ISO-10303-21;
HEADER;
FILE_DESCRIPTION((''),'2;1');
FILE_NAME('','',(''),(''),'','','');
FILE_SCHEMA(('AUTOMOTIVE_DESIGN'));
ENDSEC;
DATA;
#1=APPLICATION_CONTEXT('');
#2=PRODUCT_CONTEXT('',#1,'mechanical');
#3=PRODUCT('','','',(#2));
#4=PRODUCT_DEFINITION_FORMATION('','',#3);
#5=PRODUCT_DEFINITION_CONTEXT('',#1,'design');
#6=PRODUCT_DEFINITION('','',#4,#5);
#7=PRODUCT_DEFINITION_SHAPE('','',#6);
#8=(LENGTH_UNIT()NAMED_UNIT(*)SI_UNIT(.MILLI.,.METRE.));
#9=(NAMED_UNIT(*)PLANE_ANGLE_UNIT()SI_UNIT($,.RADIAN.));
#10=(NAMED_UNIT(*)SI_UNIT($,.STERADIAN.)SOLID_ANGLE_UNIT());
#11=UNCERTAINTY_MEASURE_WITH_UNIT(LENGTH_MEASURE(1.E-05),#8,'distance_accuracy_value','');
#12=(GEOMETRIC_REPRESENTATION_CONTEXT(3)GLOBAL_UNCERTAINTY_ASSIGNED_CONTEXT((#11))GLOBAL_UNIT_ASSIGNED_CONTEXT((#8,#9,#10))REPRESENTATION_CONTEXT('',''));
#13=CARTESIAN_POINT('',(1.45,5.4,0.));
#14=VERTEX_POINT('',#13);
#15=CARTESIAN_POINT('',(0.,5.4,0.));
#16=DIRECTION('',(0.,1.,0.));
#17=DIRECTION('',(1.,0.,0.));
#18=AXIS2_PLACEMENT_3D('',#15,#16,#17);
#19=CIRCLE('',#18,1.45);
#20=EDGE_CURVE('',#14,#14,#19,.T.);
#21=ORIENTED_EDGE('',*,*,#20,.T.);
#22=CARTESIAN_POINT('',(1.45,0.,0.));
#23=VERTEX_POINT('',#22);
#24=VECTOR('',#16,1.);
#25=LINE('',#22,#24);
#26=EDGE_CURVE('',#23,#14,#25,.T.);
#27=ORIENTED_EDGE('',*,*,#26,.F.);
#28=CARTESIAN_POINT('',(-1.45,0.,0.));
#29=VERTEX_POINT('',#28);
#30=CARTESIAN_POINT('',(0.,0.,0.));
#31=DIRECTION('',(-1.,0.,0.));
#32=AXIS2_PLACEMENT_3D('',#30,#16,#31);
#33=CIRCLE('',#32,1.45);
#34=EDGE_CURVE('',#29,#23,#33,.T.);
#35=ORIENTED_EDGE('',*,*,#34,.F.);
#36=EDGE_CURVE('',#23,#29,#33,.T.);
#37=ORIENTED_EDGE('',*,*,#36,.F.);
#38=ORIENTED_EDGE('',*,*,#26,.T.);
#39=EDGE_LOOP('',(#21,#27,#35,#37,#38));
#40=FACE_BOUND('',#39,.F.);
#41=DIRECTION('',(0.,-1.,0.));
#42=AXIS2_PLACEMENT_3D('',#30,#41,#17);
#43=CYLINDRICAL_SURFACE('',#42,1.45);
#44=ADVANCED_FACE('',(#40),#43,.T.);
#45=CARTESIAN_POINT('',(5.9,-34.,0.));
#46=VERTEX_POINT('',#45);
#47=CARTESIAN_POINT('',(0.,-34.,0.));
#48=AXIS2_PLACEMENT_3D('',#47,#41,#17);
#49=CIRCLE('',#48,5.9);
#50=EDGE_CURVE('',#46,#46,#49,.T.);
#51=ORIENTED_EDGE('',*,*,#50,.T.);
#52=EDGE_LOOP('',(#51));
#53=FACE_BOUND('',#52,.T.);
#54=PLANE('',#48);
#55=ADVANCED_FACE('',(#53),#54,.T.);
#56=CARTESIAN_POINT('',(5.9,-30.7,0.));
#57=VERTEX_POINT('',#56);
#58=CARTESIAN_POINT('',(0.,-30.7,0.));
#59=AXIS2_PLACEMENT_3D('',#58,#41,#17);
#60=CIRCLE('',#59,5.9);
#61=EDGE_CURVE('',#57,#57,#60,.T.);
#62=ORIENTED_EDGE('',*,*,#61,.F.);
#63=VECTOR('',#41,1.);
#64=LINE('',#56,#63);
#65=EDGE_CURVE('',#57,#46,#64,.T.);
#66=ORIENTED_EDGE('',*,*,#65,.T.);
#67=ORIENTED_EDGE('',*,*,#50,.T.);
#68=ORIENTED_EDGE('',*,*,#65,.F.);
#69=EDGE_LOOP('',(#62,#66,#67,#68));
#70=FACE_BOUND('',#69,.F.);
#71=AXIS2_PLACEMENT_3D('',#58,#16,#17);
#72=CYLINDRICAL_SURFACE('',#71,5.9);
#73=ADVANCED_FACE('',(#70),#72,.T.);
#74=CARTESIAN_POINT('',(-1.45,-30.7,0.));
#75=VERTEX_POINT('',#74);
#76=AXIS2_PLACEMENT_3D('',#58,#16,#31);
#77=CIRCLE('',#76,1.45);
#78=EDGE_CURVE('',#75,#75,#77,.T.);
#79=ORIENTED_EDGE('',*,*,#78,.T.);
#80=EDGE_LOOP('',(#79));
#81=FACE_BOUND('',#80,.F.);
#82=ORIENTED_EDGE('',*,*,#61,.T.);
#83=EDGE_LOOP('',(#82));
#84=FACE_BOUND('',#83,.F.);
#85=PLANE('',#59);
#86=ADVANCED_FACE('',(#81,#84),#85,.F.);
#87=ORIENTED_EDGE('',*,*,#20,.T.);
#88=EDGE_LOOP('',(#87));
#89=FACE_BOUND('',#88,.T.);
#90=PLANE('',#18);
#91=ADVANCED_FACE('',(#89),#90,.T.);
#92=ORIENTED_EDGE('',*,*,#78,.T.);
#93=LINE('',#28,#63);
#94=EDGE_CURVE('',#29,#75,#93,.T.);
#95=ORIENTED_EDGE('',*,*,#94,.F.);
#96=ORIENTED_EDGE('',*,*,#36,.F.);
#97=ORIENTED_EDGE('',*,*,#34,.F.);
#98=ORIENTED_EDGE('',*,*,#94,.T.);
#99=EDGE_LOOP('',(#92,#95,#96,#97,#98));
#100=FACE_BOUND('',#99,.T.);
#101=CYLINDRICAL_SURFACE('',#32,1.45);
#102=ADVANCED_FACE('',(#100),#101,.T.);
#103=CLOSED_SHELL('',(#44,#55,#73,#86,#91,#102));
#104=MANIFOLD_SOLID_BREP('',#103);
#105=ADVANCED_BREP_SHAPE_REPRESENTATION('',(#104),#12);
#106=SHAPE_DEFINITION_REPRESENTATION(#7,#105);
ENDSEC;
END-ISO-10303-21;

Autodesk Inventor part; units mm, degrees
ref_plane "YZ Plane" through (0, 0, 0) normal (1, 0, 0) x (0, 1, 0)
ref_plane "XZ Plane" through (0, 0, 0) normal (0, 1, 0) x (-1, 0, 0)
ref_plane "XY Plane" through (0, 0, 0) normal (0, 0, 1) x (1, 0, 0)
sketch "Boceto1" plane through (0, 0, 0) normal (0, 1, 0) x (-1, 0, 0)
  circle A0 centre (0, 0) radius 1.45
  dimension "d0" = 2.9
extrude "Extrusión1" add sketch "Boceto1" against normal blind 30.7
sketch "Boceto2" plane through (0, -30.7, 0) normal (0, -1, 0) x (1, 0, 0)
  circle A0 centre (0, 0) radius 5.9
  dimension "d3" = 11.8
extrude "Extrusión2" add sketch "Boceto2" along normal blind 3.3
sketch "Boceto3" plane through (0, 0, 0) normal (0, 1, 0) x (1, 0, 0)
  circle A0 centre (0, 0) radius 1.45 projected
  circle A1 centre (0, 0) radius 1.45
  dimension "d6" = 2.9
extrude "Extrusión3" add sketch "Boceto3" along normal blind 5.4
properties part number "Embolo" material "Aluminio 6061"
